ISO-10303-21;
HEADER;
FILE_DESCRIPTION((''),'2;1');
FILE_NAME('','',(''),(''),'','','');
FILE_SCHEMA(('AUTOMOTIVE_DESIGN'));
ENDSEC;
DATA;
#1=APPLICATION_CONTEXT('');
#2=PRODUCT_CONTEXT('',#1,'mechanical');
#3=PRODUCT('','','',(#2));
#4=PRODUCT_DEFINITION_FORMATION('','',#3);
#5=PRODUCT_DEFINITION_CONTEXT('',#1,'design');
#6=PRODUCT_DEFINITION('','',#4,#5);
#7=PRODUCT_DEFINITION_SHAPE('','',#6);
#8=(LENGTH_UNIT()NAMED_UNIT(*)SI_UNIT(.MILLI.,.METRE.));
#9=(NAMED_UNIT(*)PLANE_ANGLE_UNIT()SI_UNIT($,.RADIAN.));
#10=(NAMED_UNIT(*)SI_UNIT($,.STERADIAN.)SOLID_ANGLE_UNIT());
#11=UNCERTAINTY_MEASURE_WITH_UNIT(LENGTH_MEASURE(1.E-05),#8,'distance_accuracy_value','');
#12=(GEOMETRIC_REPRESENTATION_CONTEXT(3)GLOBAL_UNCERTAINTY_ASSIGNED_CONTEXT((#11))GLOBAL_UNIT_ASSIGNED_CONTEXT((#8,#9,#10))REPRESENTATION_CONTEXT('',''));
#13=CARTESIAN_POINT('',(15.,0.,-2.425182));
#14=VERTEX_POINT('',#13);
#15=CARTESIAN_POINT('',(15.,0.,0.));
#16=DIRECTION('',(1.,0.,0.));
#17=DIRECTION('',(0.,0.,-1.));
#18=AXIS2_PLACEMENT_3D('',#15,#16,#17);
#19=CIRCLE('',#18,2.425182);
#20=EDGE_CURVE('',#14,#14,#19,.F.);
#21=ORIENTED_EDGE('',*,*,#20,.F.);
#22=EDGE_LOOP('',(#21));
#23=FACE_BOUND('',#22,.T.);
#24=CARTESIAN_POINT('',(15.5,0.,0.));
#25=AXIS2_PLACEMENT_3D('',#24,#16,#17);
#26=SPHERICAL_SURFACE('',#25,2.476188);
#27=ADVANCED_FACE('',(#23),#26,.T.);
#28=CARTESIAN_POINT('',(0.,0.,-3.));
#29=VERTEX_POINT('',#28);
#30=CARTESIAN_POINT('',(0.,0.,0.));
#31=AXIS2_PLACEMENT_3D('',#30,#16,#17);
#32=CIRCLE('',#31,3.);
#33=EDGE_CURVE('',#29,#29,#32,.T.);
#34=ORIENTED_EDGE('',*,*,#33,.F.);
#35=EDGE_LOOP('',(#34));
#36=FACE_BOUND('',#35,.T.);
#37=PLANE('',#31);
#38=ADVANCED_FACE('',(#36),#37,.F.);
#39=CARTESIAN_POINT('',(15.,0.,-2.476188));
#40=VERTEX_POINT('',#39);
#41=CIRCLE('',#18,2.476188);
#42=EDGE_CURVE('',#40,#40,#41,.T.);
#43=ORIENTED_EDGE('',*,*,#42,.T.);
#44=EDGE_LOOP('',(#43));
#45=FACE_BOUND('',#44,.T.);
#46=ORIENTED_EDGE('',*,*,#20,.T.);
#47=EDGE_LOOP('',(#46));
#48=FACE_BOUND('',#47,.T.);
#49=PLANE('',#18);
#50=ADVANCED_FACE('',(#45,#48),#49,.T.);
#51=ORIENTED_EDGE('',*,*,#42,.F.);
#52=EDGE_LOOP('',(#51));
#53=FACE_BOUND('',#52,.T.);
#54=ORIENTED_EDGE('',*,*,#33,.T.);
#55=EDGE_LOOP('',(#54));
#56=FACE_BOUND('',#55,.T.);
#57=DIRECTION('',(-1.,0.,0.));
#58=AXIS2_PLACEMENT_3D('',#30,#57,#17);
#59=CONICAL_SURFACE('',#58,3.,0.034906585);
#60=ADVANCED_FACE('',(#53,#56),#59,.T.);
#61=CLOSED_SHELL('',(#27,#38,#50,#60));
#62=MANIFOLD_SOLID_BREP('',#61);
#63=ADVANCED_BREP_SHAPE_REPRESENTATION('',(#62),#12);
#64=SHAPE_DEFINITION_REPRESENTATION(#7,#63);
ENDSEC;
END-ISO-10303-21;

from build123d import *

# Parameters (mm, degrees)
SKETCH1_R           = 3
BOSS_EXTRUDE1_DEPTH = 15
BOSS_EXTRUDE1_TAPER = 2


with BuildPart() as part:
    # Sketch1 → Boss-Extrude1 (new body)
    with BuildSketch(Plane(origin=(0, 0, 0), x_dir=(0, 0, -1), z_dir=(1, 0, 0))):
        Circle(SKETCH1_R)
    extrude(amount=BOSS_EXTRUDE1_DEPTH, taper=BOSS_EXTRUDE1_TAPER)

    # Sketch2 → Revolve1 (revolve)
    with BuildSketch(Plane(origin=(15.5, 0, 0), x_dir=(0, 0, -1), z_dir=(1, 0, 0))):
        with BuildLine():
            Line((0, 2.476188458), (0, -2.476188458))
            ThreePointArc((0, -2.476188458), (2.476188458, 0), (0, 2.476188458))
        make_face()
    revolve(axis=Axis((15.5, 2.476188458, 0), (0, -1, 0)))


solid = part.part
